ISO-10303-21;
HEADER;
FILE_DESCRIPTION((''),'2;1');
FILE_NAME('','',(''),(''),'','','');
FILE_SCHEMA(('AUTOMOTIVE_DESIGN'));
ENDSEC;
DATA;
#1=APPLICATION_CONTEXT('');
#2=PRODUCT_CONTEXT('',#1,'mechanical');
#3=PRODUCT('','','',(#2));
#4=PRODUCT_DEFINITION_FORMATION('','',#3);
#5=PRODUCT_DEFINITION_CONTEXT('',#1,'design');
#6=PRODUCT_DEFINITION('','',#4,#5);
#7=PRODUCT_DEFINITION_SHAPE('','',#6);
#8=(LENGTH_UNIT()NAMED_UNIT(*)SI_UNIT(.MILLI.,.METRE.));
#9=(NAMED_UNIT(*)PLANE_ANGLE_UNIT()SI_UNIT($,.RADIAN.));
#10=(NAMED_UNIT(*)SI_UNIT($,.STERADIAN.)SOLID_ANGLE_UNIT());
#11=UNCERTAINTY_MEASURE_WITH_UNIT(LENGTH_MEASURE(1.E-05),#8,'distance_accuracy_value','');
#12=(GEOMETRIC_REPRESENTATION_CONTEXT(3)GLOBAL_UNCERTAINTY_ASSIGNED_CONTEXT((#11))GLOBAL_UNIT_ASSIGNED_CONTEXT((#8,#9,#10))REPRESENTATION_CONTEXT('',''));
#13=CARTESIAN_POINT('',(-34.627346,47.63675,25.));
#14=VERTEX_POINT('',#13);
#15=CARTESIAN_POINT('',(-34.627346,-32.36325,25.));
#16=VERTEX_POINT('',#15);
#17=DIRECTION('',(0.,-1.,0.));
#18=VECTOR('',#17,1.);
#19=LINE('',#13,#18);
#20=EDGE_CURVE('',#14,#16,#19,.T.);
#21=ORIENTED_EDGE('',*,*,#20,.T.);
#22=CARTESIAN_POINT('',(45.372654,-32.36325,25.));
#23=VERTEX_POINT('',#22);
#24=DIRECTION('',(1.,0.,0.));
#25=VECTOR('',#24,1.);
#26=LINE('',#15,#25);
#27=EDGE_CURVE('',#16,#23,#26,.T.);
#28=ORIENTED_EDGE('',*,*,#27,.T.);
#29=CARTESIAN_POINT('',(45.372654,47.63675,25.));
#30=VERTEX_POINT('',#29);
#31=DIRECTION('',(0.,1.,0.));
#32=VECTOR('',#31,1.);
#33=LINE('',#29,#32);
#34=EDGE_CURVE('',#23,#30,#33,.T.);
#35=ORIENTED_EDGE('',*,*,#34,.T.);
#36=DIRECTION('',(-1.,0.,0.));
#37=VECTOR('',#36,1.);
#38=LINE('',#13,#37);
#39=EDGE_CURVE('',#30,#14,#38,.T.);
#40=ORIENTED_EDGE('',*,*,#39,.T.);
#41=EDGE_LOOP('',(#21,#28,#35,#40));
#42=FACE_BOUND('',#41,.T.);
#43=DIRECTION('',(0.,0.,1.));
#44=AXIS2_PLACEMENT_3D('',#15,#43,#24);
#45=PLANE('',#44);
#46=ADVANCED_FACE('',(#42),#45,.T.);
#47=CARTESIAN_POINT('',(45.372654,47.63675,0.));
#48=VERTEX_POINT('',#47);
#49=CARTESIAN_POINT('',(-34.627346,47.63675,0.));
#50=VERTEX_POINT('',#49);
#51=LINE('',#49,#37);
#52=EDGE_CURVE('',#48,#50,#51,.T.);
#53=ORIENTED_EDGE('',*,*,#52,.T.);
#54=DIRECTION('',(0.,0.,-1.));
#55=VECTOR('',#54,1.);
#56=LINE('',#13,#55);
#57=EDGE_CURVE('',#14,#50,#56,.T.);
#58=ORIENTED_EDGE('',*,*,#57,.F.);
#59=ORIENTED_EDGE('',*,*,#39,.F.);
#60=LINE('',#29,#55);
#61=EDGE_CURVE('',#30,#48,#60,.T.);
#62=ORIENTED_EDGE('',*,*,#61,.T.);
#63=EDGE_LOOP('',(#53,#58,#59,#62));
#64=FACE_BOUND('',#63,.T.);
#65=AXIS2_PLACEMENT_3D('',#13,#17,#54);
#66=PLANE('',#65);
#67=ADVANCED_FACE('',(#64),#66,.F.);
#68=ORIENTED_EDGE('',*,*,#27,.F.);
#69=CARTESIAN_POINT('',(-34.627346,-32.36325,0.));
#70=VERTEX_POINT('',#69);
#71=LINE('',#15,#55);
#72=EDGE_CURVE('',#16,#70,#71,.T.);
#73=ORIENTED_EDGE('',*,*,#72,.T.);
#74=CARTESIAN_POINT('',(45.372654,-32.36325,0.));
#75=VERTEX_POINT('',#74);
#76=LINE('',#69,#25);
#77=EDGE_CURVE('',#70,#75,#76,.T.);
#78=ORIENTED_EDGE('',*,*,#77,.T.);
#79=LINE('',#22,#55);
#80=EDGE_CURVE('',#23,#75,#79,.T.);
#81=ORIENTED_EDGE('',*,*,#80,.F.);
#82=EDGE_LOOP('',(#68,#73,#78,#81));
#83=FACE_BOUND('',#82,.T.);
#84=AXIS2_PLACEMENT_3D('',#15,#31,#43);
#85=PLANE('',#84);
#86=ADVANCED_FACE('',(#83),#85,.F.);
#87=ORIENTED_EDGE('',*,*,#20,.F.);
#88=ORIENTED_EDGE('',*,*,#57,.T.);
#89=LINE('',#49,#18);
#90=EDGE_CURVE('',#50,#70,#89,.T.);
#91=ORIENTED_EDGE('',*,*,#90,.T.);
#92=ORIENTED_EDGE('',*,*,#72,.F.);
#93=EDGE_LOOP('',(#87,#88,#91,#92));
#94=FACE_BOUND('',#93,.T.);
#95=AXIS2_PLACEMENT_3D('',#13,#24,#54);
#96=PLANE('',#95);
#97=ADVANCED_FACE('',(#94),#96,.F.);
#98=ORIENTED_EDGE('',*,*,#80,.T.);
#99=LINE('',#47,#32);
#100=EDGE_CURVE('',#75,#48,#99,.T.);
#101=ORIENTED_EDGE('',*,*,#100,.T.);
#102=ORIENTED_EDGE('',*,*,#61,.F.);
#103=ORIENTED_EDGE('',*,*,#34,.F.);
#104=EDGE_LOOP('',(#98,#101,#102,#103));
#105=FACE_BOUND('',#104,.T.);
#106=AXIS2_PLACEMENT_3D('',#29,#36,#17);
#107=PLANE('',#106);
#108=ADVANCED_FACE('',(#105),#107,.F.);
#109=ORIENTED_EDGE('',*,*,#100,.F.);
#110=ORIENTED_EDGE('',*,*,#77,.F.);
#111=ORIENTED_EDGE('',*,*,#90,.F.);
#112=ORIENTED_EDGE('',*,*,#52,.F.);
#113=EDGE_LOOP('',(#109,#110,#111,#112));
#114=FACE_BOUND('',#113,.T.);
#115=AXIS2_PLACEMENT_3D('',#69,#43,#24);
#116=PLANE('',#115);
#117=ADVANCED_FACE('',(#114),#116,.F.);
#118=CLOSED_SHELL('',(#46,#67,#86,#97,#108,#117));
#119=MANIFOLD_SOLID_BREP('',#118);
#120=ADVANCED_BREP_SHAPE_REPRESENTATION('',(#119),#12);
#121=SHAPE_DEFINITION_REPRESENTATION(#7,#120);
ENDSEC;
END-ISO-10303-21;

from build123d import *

# Parameters (mm, degrees)
SKETCH1_W           = 80
SKETCH1_H           = 80
BOSS_EXTRUDE1_DEPTH = 25


with BuildPart() as part:
    # Sketch1 → Boss-Extrude1 (new body)
    with BuildSketch(Plane.XY):
        with Locations((5.372654336, 7.636750014)):
            Rectangle(SKETCH1_W, SKETCH1_H)
    extrude(amount=BOSS_EXTRUDE1_DEPTH)


solid = part.part
